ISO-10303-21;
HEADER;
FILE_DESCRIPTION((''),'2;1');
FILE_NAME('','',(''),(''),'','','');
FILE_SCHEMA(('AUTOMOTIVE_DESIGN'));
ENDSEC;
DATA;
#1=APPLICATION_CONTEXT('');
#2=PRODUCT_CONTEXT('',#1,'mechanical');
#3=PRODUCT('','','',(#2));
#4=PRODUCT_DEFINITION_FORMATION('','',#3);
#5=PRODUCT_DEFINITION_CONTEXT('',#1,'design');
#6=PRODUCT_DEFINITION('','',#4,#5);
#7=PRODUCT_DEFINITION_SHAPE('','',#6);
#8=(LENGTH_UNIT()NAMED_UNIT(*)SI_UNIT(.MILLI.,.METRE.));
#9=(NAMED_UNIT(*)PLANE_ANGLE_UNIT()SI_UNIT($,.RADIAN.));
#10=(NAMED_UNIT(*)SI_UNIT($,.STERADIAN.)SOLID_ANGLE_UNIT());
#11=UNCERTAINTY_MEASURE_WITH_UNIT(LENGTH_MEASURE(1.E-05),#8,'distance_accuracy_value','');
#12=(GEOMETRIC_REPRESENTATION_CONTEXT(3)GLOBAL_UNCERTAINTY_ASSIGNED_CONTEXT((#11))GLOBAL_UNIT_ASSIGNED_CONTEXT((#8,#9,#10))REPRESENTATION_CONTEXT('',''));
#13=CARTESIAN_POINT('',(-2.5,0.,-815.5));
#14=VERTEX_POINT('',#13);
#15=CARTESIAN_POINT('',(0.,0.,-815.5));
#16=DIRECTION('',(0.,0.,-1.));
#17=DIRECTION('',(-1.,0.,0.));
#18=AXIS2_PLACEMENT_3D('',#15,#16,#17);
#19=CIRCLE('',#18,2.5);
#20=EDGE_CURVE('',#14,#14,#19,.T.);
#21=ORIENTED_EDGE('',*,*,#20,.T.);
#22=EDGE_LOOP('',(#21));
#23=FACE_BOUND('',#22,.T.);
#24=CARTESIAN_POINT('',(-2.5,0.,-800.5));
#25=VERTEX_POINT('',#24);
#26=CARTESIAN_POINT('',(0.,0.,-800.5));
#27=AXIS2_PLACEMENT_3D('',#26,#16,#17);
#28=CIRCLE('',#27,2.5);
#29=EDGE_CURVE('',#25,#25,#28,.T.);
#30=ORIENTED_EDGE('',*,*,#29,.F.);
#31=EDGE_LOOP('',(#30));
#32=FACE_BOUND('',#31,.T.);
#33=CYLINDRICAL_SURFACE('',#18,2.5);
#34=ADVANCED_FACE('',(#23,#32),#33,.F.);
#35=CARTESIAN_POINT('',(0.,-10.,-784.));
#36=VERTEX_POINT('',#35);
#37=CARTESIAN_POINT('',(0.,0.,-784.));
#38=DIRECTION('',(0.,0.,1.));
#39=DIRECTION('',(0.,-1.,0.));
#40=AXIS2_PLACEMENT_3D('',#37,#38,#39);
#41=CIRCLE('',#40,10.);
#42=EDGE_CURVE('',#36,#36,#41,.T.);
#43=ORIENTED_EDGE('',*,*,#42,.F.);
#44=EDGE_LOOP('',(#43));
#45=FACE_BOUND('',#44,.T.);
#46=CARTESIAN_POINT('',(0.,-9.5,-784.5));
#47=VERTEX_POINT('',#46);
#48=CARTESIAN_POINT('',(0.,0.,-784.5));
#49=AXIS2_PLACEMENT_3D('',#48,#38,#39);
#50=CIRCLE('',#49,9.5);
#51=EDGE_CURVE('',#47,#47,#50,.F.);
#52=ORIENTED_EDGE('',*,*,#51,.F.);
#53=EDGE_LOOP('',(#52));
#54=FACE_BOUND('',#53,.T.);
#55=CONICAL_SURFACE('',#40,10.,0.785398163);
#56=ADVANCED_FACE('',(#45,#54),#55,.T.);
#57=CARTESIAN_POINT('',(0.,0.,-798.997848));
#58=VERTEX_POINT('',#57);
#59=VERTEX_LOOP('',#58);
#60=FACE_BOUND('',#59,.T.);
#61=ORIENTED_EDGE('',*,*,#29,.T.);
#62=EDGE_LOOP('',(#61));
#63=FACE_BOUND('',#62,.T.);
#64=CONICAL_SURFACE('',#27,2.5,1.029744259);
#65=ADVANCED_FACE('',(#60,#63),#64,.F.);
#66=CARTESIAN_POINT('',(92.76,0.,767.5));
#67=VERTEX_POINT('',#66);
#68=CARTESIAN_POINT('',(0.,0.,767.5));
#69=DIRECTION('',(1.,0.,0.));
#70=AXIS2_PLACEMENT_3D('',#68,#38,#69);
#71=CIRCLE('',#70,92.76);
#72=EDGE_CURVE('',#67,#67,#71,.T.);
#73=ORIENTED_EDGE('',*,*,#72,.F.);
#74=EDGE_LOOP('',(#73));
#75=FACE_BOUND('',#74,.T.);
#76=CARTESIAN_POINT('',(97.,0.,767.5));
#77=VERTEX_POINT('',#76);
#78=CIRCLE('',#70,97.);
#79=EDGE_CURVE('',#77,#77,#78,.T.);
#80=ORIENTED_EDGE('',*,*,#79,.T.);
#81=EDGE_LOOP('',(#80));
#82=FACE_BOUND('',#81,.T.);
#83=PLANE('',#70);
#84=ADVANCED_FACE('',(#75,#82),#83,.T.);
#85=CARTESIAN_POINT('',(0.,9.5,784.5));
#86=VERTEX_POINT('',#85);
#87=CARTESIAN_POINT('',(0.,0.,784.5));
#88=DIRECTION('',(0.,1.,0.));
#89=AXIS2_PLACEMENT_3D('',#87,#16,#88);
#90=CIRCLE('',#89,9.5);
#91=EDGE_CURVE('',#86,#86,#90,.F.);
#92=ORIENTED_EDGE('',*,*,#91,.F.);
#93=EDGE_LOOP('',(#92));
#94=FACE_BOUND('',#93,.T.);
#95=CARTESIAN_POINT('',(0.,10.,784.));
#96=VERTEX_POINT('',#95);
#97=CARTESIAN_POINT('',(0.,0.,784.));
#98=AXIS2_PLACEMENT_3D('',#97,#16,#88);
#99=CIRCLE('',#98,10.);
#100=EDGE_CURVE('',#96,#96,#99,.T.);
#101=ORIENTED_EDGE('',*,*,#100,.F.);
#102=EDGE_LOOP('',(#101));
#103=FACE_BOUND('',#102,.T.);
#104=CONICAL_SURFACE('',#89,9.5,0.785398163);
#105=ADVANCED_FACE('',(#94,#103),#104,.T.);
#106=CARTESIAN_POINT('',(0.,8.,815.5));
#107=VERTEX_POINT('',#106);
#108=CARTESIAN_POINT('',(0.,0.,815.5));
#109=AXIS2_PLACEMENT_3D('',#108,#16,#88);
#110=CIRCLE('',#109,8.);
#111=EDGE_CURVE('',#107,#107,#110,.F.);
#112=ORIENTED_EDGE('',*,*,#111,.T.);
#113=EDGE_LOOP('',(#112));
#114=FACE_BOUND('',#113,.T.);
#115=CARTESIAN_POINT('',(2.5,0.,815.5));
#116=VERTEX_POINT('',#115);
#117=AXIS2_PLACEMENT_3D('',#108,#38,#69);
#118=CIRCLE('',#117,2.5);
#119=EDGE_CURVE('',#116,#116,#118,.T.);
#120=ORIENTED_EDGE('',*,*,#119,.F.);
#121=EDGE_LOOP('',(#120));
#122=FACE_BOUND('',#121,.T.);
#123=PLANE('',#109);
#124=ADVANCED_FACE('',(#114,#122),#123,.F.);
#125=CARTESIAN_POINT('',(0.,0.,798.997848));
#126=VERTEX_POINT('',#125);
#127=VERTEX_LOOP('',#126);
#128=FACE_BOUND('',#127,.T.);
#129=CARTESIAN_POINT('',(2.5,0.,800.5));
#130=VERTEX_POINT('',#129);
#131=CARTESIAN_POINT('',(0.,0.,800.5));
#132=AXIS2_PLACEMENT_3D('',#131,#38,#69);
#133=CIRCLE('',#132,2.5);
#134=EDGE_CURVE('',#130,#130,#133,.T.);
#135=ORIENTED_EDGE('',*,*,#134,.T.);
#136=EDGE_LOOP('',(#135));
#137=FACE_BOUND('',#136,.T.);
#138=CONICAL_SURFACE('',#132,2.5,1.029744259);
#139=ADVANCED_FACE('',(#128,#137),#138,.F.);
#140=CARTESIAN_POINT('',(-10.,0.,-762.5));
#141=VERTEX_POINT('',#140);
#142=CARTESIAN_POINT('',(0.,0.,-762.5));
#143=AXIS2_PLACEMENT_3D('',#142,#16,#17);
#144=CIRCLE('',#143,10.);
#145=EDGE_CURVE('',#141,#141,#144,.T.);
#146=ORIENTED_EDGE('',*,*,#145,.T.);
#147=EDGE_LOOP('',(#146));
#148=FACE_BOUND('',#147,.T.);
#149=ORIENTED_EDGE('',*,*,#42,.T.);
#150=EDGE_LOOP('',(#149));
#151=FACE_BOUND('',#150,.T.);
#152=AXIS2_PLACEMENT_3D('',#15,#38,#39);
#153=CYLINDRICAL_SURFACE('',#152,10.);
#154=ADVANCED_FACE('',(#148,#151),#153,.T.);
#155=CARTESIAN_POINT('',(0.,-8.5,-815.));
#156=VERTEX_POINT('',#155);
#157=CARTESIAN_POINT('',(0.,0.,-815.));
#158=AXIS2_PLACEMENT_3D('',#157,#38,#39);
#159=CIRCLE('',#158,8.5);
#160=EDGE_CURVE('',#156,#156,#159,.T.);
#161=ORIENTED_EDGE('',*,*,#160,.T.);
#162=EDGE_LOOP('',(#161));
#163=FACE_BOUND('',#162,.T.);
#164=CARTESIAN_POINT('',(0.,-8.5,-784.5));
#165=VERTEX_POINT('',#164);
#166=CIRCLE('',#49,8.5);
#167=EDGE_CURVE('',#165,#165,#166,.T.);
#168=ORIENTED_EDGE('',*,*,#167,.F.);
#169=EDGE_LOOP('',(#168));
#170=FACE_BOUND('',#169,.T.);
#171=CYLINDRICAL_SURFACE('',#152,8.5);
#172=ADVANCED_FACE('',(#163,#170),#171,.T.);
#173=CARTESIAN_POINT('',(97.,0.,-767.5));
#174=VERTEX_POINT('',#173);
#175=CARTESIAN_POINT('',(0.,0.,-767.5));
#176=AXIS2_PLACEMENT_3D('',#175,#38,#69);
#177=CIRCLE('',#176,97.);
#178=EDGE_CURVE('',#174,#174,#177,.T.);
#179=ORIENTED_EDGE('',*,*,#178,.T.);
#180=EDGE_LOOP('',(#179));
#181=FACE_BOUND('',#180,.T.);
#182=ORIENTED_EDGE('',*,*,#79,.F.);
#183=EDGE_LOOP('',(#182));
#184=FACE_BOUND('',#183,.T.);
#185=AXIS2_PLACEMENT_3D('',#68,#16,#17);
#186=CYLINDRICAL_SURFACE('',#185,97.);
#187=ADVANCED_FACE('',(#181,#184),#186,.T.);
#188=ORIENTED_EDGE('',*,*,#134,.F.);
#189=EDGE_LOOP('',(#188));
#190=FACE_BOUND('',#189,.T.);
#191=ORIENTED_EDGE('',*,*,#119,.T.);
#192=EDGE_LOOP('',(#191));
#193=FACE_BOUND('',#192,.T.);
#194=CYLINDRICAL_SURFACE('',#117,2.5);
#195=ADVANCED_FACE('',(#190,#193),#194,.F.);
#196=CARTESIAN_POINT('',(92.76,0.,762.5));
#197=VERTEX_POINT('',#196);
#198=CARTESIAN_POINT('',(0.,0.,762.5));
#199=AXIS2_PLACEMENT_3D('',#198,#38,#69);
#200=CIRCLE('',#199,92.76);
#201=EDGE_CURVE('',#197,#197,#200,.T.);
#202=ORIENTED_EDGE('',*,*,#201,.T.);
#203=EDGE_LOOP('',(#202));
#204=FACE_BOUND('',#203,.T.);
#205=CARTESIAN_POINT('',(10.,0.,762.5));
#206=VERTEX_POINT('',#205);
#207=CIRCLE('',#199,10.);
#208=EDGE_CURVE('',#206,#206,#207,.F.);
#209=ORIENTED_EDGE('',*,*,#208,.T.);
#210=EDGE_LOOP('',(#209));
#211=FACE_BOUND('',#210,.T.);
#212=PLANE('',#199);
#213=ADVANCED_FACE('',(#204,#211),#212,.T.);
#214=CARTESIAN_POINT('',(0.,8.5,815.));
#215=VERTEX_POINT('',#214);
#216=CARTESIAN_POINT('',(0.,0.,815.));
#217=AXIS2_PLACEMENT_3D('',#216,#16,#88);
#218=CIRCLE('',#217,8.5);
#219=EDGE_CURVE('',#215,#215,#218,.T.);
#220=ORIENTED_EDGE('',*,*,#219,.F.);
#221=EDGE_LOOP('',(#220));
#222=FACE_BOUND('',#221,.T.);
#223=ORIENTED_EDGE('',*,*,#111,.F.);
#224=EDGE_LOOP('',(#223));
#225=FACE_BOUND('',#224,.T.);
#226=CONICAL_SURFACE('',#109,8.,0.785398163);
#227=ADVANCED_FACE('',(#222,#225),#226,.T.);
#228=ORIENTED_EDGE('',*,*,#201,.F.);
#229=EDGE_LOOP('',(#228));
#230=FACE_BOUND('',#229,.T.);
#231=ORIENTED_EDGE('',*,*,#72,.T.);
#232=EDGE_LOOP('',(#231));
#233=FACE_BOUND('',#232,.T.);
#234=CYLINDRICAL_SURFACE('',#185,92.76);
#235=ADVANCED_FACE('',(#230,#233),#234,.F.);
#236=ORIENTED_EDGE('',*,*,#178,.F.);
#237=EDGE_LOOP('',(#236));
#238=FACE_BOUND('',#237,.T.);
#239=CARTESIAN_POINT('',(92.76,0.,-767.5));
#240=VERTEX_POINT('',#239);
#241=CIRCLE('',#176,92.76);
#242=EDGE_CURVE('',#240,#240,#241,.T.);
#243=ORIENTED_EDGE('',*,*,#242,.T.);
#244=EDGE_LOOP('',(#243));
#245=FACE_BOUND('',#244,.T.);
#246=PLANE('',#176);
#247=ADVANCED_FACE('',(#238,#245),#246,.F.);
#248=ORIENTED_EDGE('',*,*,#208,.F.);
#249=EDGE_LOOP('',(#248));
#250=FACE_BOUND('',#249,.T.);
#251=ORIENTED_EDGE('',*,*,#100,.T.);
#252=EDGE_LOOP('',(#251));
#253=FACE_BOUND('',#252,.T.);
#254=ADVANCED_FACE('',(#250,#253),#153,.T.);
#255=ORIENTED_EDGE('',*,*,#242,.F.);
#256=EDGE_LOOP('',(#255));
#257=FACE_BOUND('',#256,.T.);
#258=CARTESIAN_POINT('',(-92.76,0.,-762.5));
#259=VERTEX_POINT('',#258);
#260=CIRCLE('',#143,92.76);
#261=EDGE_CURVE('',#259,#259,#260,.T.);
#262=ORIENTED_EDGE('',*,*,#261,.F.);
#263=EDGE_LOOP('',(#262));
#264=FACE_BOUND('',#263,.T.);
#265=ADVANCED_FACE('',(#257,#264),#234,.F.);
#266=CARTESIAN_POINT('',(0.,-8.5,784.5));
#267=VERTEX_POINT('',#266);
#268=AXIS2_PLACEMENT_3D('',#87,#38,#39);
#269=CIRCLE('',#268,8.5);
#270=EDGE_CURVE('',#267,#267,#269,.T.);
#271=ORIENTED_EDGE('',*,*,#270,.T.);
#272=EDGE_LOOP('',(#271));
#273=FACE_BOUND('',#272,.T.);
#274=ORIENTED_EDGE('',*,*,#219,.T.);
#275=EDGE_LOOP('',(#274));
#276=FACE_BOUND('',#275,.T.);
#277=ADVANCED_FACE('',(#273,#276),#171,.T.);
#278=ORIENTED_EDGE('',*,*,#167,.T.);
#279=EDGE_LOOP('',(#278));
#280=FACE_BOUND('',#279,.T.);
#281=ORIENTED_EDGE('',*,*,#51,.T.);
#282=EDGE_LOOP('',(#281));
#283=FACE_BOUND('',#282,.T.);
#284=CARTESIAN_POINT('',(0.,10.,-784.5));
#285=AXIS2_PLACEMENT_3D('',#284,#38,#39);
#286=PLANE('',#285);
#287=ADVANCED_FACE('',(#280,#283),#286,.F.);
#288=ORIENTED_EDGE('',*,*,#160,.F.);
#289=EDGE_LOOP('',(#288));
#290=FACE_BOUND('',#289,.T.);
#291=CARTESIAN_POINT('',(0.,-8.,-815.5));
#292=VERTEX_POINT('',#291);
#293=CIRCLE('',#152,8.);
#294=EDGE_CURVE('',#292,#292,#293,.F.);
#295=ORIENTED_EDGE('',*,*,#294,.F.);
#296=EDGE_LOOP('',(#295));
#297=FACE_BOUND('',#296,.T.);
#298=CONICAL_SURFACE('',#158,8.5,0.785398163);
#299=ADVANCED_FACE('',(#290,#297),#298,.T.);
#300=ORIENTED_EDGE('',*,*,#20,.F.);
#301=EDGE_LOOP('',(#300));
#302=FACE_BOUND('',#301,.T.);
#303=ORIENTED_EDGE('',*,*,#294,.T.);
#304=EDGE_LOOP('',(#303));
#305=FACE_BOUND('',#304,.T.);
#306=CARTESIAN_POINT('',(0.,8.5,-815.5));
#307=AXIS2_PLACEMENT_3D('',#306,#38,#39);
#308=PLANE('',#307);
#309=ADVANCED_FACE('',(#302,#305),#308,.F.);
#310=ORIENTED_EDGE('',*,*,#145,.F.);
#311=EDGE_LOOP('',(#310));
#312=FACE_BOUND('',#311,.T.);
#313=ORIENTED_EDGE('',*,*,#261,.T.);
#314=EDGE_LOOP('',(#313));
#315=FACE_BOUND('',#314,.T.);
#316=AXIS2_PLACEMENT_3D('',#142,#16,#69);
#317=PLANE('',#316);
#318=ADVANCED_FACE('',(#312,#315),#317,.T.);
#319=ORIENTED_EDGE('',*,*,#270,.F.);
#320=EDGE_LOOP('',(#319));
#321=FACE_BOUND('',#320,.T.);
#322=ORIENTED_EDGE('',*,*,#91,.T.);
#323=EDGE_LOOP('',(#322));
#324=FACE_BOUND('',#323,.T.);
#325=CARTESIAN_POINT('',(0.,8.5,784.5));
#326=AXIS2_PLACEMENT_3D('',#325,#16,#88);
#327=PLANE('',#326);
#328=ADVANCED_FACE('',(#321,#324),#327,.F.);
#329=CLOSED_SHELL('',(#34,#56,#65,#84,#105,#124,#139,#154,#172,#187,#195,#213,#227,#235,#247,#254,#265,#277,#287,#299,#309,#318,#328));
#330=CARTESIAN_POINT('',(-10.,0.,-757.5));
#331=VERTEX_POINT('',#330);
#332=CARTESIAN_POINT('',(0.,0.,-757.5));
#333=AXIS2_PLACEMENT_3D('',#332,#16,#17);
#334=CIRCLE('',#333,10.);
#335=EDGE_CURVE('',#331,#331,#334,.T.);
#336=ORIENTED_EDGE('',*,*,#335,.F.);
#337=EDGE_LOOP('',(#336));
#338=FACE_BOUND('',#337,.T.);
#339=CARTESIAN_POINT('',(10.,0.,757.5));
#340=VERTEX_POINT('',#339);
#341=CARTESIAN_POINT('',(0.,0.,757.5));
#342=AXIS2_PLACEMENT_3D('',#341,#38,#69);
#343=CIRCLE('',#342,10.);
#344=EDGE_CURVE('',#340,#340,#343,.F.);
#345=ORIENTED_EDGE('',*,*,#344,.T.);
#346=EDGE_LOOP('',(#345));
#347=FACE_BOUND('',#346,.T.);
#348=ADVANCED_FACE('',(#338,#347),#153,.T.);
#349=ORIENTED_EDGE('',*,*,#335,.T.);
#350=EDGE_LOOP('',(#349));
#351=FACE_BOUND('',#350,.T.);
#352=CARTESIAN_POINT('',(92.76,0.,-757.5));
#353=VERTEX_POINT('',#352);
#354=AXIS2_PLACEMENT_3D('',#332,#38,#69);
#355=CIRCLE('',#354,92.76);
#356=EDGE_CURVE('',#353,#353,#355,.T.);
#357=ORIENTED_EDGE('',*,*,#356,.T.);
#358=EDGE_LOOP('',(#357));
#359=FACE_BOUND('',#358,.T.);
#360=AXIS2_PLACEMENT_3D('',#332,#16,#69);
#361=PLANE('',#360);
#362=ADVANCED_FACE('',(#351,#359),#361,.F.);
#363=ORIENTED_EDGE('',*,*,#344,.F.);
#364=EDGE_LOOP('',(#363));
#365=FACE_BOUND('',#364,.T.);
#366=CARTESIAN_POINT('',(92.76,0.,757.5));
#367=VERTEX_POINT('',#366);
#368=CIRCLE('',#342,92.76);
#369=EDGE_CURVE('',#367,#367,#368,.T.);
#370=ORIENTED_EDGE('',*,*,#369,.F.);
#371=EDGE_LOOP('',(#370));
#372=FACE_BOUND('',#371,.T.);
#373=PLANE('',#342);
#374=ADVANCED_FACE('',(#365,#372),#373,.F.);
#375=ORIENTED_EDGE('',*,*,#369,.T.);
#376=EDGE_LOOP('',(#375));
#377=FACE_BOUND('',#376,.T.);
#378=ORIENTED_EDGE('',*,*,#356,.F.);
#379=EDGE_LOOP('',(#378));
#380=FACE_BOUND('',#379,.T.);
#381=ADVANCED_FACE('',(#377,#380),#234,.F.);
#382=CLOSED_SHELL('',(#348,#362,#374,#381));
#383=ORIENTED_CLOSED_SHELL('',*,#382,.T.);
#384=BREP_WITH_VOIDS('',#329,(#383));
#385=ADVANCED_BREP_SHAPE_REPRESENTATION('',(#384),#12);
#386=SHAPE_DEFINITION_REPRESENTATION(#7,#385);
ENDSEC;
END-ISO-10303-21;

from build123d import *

# Parameters (mm, degrees)
SKETCH1_R           = 97
SKETCH1_R_2         = 92.76
BOSS_EXTRUDE1_DEPTH = 767.5
BOSS_EXTRUDE2_START = -10
SKETCH2_R           = 92.76
BOSS_EXTRUDE2_DEPTH = 5
CHAMFER1_SIZE       = 0.5


with BuildPart() as part:
    # Sketch1 → Boss-Extrude1 (new, symmetric)
    with BuildSketch(Plane.XY):
        Circle(SKETCH1_R)
        Circle(SKETCH1_R_2, mode=Mode.SUBTRACT)
    extrude(amount=BOSS_EXTRUDE1_DEPTH, both=True)

    # Sketch2 → Boss-Extrude2 (add)
    with BuildSketch(Plane.XY.offset(767.5).offset(BOSS_EXTRUDE2_START)):
        Circle(SKETCH2_R)
    boss_extrude2 = extrude(amount=BOSS_EXTRUDE2_DEPTH)

    # Sketch5 → Revolve1 (revolve)
    with BuildSketch(Plane(origin=(0, 0, 0), x_dir=(0, 0, -1), z_dir=(1, 0, 0)), mode=Mode.PRIVATE) as revolve1_sk:
        Polygon((-784.5, 10), (784.5, 10), (784.5, 8.5), (815.5, 8.5), (815.5, 0), (-815.5, 0), (-815.5, 8.5), (-784.5, 8.5), align=None)
    revolve(revolve1_sk.sketch.rotate(Axis((0, 0, -815.5), (0, 0, -1)), 180), axis=Axis((0, 0, -815.5), (0, 0, -1)))

    # Chamfer1
    chamfer1_edges = [part.edges().sort_by_distance(p)[0] for p in [
        (0, 10, -784.5),
        (0, 10, 784.5),
        (0, 8.5, -815.5),
        (0, 8.5, 815.5),
    ]]
    chamfer(chamfer1_edges, length=CHAMFER1_SIZE)

    # Sketch7 → M6 Tapped Hole1 (revolve, cut)
    with BuildSketch(Plane(origin=(0, 0, 815.5), x_dir=(0, -1, 0), z_dir=(1, 0, 0))):
        Polygon((0, 0), (0, 16.502151548), (2.5, 15), (2.5, 0), align=None)
    m6_tapped_hole1 = revolve(axis=Axis((0, 0, 821.85), (0, 0, -1)), mode=Mode.SUBTRACT)

    # Mirror3: Boss-Extrude2, M6 Tapped Hole1 across plane
    add(boss_extrude2.mirror(Plane.XY))
    add(m6_tapped_hole1.mirror(Plane.XY), mode=Mode.SUBTRACT)


solid = part.part
